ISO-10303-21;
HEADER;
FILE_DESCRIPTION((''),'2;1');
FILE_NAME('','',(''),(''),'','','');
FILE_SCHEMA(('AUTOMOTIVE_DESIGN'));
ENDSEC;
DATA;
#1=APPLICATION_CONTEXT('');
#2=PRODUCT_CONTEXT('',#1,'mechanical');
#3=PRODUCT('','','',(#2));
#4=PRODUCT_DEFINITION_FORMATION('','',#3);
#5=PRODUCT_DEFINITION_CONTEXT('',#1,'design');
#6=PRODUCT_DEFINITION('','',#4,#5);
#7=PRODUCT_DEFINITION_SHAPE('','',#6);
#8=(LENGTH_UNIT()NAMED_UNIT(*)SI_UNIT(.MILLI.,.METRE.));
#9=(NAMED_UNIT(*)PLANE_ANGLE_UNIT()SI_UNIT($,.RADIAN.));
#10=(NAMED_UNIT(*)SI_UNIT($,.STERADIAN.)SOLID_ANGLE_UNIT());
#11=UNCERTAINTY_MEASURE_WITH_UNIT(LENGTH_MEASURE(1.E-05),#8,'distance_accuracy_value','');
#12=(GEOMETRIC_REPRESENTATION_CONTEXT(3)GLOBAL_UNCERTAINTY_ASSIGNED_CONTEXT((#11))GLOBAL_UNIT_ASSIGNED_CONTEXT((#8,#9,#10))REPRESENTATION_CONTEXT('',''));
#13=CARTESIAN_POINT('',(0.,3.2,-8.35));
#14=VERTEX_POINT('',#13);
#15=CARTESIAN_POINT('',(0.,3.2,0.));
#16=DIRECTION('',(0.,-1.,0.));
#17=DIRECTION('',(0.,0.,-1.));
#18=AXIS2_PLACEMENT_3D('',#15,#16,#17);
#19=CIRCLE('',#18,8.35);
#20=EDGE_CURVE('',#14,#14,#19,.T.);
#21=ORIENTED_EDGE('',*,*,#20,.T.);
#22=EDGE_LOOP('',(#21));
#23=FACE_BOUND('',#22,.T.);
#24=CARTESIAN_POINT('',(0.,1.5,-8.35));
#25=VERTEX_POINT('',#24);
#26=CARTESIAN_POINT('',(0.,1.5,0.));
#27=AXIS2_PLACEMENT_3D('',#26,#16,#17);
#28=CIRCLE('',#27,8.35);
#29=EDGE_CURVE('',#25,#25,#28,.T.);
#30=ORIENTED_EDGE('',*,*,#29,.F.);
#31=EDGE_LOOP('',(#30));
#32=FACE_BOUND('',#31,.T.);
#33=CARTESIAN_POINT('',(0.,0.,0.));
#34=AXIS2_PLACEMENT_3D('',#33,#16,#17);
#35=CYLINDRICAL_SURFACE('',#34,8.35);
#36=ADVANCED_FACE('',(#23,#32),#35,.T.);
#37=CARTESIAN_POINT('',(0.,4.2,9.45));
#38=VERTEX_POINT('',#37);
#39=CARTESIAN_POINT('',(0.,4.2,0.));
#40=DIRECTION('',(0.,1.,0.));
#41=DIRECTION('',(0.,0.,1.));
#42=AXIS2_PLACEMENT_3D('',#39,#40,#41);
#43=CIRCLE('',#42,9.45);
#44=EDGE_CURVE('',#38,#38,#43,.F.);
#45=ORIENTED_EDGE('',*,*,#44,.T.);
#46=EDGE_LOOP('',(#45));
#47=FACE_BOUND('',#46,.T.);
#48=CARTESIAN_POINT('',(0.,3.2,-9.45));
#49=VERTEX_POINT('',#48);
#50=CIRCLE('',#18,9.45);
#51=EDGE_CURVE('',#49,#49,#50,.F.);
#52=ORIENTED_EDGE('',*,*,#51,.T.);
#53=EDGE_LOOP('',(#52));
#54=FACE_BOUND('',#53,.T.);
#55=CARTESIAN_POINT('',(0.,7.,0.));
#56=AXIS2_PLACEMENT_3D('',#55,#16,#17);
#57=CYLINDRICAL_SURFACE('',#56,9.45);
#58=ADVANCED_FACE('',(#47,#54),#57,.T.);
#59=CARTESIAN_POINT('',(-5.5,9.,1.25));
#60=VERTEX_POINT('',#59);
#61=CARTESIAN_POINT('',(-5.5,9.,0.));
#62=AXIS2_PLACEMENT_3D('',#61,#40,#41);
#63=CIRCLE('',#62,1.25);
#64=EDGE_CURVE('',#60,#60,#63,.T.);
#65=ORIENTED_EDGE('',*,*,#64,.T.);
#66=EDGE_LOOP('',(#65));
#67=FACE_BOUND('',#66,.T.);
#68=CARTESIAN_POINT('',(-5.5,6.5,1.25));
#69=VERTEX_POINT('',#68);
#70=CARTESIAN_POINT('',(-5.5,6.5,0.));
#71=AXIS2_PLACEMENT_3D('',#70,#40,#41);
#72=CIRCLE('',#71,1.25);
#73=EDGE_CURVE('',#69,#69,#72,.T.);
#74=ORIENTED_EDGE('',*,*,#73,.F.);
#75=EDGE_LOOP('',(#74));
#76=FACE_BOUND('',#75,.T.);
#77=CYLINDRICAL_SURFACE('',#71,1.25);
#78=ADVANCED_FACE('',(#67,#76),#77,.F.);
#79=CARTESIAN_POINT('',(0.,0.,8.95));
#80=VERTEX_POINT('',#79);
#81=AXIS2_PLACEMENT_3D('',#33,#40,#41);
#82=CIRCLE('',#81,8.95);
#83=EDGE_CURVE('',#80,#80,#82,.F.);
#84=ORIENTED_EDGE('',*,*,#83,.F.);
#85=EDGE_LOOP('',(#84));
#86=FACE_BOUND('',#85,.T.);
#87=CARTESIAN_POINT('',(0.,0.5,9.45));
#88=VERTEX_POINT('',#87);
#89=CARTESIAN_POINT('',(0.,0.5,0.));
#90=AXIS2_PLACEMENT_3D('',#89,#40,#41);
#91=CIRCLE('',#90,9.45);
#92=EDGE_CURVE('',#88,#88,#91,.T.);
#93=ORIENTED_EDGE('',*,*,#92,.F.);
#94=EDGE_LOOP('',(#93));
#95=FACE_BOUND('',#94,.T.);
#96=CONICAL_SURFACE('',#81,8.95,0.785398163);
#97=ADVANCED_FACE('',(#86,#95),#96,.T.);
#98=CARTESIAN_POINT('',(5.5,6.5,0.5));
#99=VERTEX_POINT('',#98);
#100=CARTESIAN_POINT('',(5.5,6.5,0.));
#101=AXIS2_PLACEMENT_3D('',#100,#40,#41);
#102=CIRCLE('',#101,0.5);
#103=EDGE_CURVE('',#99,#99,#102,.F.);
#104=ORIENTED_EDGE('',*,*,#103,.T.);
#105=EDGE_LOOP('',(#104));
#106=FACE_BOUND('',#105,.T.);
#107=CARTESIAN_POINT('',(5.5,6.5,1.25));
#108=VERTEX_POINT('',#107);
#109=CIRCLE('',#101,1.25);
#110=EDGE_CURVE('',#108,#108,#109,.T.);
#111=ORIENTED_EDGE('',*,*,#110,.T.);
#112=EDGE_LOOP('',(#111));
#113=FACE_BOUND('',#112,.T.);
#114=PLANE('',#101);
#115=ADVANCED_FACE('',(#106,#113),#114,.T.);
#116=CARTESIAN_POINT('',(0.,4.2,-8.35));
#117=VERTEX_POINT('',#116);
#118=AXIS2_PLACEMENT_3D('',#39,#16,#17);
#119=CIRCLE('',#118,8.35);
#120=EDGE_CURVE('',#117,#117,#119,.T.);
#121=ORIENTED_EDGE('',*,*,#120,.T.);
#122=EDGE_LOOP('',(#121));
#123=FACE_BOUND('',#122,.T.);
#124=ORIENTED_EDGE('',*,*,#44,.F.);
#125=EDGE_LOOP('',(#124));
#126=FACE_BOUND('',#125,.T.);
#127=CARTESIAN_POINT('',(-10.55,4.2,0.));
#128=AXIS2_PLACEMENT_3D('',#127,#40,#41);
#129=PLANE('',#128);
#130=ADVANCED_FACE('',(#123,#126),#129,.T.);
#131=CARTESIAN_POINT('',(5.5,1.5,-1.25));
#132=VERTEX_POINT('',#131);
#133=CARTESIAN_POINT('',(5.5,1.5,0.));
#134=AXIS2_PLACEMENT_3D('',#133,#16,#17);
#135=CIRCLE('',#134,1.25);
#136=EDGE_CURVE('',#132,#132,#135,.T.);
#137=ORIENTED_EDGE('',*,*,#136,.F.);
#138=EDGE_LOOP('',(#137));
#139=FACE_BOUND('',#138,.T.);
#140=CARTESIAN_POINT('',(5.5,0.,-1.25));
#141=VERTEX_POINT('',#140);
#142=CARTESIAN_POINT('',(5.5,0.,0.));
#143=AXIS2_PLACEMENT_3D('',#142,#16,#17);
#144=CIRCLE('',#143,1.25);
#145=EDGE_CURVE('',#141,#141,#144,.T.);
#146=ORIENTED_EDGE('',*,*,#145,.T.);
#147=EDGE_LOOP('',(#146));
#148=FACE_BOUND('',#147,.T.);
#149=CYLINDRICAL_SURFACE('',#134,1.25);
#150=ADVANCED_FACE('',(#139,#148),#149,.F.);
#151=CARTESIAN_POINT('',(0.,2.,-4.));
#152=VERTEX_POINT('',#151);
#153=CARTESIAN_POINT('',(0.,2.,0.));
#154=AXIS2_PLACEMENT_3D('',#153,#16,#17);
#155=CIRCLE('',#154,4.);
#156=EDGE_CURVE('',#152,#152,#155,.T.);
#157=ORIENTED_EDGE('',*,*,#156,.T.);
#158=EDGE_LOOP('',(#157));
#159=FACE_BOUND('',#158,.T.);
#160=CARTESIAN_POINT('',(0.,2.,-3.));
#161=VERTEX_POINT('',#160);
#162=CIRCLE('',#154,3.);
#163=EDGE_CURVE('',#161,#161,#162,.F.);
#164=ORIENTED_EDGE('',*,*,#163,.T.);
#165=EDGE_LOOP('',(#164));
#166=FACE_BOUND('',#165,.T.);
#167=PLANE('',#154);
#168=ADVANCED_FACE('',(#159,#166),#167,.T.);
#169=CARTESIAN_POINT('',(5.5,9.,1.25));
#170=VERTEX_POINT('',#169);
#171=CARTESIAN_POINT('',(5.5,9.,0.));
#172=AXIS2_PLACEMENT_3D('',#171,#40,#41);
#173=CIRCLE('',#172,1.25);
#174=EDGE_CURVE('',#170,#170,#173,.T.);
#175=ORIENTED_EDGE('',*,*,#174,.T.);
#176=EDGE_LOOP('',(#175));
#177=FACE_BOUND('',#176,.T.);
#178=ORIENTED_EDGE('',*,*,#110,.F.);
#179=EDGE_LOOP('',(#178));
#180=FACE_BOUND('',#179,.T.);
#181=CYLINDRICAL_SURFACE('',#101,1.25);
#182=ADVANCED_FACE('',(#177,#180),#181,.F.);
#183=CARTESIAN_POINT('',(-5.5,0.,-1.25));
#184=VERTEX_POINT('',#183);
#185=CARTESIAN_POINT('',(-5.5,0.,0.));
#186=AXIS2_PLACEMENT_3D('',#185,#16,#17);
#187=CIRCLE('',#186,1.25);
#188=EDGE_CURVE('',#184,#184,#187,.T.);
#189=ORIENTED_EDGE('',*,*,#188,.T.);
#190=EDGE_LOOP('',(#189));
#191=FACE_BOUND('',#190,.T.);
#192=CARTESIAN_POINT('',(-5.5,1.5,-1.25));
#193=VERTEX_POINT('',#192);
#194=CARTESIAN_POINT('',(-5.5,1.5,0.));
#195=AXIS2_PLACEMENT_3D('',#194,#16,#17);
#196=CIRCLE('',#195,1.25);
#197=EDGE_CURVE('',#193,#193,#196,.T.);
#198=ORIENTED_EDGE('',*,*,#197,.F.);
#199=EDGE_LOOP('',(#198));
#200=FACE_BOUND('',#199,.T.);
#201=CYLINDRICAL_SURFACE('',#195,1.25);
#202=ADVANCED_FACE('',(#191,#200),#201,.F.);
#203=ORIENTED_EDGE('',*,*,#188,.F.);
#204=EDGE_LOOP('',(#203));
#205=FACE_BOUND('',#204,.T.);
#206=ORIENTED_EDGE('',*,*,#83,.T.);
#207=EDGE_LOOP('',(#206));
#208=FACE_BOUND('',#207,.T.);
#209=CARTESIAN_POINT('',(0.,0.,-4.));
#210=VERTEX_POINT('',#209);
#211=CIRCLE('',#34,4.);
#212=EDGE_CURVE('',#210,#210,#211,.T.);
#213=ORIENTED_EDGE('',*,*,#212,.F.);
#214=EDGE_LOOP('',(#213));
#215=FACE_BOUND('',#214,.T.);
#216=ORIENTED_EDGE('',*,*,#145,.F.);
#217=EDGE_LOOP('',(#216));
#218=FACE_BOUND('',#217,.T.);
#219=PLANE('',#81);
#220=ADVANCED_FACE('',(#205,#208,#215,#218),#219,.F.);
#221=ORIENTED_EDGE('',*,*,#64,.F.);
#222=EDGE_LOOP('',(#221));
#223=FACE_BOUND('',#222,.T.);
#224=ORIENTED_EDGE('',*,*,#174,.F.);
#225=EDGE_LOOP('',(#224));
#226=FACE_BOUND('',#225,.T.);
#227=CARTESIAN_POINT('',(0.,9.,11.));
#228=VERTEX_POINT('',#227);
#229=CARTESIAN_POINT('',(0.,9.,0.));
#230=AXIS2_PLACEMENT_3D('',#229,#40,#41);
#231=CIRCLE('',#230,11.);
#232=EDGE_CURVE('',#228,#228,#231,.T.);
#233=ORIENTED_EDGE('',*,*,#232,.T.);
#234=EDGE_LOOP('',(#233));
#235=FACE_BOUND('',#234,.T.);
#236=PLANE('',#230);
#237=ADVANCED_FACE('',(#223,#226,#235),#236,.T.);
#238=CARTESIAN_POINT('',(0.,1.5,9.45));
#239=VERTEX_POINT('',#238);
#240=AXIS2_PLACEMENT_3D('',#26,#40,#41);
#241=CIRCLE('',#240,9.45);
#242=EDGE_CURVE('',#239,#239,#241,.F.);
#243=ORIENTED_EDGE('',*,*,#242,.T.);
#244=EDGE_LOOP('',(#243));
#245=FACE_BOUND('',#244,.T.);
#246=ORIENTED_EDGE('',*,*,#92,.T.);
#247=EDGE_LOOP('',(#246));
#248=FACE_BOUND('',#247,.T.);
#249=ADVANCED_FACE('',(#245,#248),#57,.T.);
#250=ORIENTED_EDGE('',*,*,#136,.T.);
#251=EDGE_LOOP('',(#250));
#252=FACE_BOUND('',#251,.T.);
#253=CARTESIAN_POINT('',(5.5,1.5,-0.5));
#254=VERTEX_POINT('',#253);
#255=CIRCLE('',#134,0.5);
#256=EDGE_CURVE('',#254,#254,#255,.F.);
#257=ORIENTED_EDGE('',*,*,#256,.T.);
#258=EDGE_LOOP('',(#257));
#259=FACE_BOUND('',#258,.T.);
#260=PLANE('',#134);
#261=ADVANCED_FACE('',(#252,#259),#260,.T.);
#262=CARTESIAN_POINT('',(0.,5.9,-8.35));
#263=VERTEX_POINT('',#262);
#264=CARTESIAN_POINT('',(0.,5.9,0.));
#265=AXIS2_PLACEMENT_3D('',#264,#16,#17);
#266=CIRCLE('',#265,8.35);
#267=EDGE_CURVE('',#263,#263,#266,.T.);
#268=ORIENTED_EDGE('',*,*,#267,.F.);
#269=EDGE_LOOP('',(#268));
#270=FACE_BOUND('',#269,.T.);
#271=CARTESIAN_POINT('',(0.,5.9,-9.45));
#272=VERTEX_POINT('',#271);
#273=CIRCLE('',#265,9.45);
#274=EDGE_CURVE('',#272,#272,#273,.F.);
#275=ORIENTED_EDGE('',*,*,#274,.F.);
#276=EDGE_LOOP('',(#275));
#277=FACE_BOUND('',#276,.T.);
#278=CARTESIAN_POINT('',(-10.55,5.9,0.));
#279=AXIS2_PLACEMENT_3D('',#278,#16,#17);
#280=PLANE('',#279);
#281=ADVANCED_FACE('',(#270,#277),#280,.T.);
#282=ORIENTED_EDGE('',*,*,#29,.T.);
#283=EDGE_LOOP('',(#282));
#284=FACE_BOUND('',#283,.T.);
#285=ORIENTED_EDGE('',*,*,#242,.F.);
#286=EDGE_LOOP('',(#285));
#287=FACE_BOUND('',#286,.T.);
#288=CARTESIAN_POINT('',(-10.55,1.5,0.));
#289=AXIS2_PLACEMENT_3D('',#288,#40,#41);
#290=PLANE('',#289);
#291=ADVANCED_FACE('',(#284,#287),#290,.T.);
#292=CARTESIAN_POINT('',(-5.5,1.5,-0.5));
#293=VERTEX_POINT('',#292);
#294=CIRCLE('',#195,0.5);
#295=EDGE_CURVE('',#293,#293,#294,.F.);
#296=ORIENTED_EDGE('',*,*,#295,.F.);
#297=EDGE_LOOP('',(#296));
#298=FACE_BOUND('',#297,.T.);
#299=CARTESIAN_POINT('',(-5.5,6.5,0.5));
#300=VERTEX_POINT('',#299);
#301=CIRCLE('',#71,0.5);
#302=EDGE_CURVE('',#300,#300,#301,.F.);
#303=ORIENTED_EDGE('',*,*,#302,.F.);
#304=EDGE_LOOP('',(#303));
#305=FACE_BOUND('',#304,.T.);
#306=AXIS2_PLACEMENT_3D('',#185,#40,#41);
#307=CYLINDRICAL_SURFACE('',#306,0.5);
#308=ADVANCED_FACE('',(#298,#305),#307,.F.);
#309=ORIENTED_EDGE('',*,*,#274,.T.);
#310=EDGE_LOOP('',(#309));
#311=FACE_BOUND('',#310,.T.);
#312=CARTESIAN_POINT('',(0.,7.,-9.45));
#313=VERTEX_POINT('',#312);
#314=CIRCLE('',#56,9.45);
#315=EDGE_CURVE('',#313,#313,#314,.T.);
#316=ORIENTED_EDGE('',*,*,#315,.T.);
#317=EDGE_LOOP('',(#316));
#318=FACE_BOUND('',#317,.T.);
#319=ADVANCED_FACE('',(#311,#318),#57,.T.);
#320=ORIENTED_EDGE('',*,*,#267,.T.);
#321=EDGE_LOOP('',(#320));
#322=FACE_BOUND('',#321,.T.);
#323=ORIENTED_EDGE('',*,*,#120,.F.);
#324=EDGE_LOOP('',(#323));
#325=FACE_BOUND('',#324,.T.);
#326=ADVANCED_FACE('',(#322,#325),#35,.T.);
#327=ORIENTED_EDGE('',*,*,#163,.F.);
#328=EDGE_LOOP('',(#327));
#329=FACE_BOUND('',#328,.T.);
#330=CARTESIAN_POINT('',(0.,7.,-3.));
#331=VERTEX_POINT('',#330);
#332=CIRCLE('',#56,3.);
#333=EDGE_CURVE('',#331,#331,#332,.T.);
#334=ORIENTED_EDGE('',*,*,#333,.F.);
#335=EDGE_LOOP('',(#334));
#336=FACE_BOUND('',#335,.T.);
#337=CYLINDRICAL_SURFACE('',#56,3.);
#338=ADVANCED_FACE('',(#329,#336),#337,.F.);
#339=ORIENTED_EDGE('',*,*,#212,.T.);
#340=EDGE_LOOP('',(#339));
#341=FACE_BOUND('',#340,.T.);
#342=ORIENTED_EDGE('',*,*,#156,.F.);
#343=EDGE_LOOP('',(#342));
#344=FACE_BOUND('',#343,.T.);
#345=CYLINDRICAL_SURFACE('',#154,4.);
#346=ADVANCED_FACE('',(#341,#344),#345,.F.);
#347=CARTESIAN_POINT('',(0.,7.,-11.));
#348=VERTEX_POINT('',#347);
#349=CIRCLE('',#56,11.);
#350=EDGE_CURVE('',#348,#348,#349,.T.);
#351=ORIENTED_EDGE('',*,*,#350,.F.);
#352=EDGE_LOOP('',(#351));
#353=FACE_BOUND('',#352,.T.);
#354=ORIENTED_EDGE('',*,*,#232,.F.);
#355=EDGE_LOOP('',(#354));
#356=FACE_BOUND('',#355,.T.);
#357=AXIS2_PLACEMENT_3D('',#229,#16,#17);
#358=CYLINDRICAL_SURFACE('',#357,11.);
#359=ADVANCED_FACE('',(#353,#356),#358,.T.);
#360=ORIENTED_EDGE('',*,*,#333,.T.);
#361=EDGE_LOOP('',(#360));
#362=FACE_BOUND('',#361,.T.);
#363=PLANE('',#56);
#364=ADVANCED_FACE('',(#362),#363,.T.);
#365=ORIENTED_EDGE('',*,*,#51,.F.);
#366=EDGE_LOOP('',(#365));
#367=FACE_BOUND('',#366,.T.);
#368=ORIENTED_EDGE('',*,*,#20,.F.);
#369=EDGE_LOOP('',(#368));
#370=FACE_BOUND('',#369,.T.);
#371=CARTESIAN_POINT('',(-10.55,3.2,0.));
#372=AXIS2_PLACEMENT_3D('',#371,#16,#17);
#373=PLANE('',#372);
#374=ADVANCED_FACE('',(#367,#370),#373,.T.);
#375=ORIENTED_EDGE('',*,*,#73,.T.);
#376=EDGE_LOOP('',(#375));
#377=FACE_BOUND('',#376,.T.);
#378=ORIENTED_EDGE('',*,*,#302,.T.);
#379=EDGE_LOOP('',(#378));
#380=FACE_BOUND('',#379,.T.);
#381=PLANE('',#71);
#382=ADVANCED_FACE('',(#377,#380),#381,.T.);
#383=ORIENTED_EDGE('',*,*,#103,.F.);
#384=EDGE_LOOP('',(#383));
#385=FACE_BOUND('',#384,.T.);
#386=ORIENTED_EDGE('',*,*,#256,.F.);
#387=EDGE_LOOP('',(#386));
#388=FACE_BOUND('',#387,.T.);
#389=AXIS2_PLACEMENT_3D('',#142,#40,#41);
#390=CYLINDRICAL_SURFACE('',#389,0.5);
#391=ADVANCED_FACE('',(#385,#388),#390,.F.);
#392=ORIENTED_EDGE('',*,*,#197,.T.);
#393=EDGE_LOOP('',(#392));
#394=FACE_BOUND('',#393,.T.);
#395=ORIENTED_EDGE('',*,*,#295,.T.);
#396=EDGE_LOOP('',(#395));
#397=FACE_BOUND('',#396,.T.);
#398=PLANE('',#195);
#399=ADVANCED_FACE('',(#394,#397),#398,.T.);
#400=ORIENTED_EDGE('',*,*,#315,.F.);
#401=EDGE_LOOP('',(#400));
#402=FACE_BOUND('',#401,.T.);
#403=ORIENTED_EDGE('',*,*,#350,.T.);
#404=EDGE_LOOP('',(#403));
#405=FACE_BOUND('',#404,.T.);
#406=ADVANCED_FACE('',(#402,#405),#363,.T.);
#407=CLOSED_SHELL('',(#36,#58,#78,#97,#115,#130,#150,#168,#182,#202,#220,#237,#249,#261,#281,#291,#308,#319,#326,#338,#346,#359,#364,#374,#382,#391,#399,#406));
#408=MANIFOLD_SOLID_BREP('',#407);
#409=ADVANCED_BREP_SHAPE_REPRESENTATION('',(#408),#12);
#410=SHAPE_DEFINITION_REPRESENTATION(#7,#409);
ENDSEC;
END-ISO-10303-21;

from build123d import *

# Parameters (mm, degrees)
SKETCH_1_R          = 11
EXTRUDE_1_DEPTH     = 9
SKETCH_2_R          = 0.5
CUT_EXTRUDE_1_DEPTH = 18.972200756
SKETCH_3_R          = 16.549134696
SKETCH_3_R_2        = 9.45
CUT_EXTRUDE_2_DEPTH = 7
SKETCH_4_W          = 2.2
SKETCH_4_H          = 1.7
SKETCH_5_R          = 3
CUT_EXTRUDE_3_DEPTH = 7
SKETCH_7_R          = 1.25
CUT_EXTRUDE_5_DEPTH = 2.5
CUT_EXTRUDE_START   = -1.5
SKETCH_8_R          = 1.25
CUT_EXTRUDE_6_DEPTH = 1.5
SKETCH_9_R          = 4
CUT_EXTRUDE_7_DEPTH = 2
CHAMFER_1_SIZE      = 0.5


with BuildPart() as part:
    # 草图1 → 凸台-拉伸1 (new body)
    with BuildSketch(Plane(origin=(0, 0, 0), x_dir=(1, 0, 0), z_dir=(0, 1, 0))):
        with Locations(Location((0, 0, 0), (0, 0, 270))):
            Circle(SKETCH_1_R)
    extrude(amount=EXTRUDE_1_DEPTH)

    # 草图2 → 切除-拉伸1 (cut, through all)
    with BuildSketch(Plane(origin=(0, 9, 0), x_dir=(1, 0, 0), z_dir=(0, 1, 0))):
        with Locations(Location((-5.5, 0, 0), (0, 0, 270))):
            Circle(SKETCH_2_R)
        with Locations(Location((5.5, 0, 0), (0, 0, 270))):
            Circle(SKETCH_2_R)
    extrude(amount=-CUT_EXTRUDE_1_DEPTH, mode=Mode.SUBTRACT)

    # 草图3 → 切除-拉伸2 (cut)
    with BuildSketch(Plane.XZ):
        Circle(SKETCH_3_R)
        with Locations(Location((0, 0, 0), (0, 0, 270))):
            Circle(SKETCH_3_R_2, mode=Mode.SUBTRACT)
    extrude(amount=-CUT_EXTRUDE_2_DEPTH, mode=Mode.SUBTRACT)

    # 草图4 → 切除-旋转1 (revolve, cut)
    with BuildSketch(Plane.XY, mode=Mode.PRIVATE) as cut_revolve_1_sk:
        with Locations((-9.45, 5.05)):
            Rectangle(SKETCH_4_W, SKETCH_4_H)
        with Locations((-9.45, 2.35)):
            Rectangle(SKETCH_4_W, SKETCH_4_H)
    revolve(cut_revolve_1_sk.sketch.rotate(Axis((0, 0, 0), (0, 1, 0)), 270), axis=Axis((0, 0, 0), (0, 1, 0)), mode=Mode.SUBTRACT)

    # 草图5 → 切除-拉伸3 (cut)
    with BuildSketch(Plane.XZ):
        with Locations(Location((0, 0, 0), (0, 0, 270))):
            Circle(SKETCH_5_R)
    extrude(amount=-CUT_EXTRUDE_3_DEPTH, mode=Mode.SUBTRACT)

    # 草图7 → 切除-拉伸5 (cut)
    with BuildSketch(Plane(origin=(0, 9, 0), x_dir=(1, 0, 0), z_dir=(0, 1, 0))):
        with Locations(Location((-5.5, 0, 0), (0, 0, 270))):
            Circle(SKETCH_7_R)
        with Locations(Location((5.5, 0, 0), (0, 0, 270))):
            Circle(SKETCH_7_R)
    extrude(amount=-CUT_EXTRUDE_5_DEPTH, mode=Mode.SUBTRACT)

    # 草图8 → 切除-拉伸6 (cut)
    with BuildSketch(Plane.XZ.offset(CUT_EXTRUDE_START)):
        with Locations(Location((-5.5, 0, 0), (0, 0, 90))):
            Circle(SKETCH_8_R)
        with Locations(Location((5.5, 0, 0), (0, 0, 90))):
            Circle(SKETCH_8_R)
    extrude(amount=CUT_EXTRUDE_6_DEPTH, mode=Mode.SUBTRACT)

    # 草图9 → 切除-拉伸7 (cut)
    with BuildSketch(Plane.XZ):
        with Locations(Location((0, 0, 0), (0, 0, 270))):
            Circle(SKETCH_9_R)
    extrude(amount=-CUT_EXTRUDE_7_DEPTH, mode=Mode.SUBTRACT)

    # 倒角1
    chamfer_1_edges = [part.edges().sort_by_distance(p)[0] for p in [
        (0, 0, 9.45),
    ]]
    chamfer(chamfer_1_edges, length=CHAMFER_1_SIZE)


solid = part.part
